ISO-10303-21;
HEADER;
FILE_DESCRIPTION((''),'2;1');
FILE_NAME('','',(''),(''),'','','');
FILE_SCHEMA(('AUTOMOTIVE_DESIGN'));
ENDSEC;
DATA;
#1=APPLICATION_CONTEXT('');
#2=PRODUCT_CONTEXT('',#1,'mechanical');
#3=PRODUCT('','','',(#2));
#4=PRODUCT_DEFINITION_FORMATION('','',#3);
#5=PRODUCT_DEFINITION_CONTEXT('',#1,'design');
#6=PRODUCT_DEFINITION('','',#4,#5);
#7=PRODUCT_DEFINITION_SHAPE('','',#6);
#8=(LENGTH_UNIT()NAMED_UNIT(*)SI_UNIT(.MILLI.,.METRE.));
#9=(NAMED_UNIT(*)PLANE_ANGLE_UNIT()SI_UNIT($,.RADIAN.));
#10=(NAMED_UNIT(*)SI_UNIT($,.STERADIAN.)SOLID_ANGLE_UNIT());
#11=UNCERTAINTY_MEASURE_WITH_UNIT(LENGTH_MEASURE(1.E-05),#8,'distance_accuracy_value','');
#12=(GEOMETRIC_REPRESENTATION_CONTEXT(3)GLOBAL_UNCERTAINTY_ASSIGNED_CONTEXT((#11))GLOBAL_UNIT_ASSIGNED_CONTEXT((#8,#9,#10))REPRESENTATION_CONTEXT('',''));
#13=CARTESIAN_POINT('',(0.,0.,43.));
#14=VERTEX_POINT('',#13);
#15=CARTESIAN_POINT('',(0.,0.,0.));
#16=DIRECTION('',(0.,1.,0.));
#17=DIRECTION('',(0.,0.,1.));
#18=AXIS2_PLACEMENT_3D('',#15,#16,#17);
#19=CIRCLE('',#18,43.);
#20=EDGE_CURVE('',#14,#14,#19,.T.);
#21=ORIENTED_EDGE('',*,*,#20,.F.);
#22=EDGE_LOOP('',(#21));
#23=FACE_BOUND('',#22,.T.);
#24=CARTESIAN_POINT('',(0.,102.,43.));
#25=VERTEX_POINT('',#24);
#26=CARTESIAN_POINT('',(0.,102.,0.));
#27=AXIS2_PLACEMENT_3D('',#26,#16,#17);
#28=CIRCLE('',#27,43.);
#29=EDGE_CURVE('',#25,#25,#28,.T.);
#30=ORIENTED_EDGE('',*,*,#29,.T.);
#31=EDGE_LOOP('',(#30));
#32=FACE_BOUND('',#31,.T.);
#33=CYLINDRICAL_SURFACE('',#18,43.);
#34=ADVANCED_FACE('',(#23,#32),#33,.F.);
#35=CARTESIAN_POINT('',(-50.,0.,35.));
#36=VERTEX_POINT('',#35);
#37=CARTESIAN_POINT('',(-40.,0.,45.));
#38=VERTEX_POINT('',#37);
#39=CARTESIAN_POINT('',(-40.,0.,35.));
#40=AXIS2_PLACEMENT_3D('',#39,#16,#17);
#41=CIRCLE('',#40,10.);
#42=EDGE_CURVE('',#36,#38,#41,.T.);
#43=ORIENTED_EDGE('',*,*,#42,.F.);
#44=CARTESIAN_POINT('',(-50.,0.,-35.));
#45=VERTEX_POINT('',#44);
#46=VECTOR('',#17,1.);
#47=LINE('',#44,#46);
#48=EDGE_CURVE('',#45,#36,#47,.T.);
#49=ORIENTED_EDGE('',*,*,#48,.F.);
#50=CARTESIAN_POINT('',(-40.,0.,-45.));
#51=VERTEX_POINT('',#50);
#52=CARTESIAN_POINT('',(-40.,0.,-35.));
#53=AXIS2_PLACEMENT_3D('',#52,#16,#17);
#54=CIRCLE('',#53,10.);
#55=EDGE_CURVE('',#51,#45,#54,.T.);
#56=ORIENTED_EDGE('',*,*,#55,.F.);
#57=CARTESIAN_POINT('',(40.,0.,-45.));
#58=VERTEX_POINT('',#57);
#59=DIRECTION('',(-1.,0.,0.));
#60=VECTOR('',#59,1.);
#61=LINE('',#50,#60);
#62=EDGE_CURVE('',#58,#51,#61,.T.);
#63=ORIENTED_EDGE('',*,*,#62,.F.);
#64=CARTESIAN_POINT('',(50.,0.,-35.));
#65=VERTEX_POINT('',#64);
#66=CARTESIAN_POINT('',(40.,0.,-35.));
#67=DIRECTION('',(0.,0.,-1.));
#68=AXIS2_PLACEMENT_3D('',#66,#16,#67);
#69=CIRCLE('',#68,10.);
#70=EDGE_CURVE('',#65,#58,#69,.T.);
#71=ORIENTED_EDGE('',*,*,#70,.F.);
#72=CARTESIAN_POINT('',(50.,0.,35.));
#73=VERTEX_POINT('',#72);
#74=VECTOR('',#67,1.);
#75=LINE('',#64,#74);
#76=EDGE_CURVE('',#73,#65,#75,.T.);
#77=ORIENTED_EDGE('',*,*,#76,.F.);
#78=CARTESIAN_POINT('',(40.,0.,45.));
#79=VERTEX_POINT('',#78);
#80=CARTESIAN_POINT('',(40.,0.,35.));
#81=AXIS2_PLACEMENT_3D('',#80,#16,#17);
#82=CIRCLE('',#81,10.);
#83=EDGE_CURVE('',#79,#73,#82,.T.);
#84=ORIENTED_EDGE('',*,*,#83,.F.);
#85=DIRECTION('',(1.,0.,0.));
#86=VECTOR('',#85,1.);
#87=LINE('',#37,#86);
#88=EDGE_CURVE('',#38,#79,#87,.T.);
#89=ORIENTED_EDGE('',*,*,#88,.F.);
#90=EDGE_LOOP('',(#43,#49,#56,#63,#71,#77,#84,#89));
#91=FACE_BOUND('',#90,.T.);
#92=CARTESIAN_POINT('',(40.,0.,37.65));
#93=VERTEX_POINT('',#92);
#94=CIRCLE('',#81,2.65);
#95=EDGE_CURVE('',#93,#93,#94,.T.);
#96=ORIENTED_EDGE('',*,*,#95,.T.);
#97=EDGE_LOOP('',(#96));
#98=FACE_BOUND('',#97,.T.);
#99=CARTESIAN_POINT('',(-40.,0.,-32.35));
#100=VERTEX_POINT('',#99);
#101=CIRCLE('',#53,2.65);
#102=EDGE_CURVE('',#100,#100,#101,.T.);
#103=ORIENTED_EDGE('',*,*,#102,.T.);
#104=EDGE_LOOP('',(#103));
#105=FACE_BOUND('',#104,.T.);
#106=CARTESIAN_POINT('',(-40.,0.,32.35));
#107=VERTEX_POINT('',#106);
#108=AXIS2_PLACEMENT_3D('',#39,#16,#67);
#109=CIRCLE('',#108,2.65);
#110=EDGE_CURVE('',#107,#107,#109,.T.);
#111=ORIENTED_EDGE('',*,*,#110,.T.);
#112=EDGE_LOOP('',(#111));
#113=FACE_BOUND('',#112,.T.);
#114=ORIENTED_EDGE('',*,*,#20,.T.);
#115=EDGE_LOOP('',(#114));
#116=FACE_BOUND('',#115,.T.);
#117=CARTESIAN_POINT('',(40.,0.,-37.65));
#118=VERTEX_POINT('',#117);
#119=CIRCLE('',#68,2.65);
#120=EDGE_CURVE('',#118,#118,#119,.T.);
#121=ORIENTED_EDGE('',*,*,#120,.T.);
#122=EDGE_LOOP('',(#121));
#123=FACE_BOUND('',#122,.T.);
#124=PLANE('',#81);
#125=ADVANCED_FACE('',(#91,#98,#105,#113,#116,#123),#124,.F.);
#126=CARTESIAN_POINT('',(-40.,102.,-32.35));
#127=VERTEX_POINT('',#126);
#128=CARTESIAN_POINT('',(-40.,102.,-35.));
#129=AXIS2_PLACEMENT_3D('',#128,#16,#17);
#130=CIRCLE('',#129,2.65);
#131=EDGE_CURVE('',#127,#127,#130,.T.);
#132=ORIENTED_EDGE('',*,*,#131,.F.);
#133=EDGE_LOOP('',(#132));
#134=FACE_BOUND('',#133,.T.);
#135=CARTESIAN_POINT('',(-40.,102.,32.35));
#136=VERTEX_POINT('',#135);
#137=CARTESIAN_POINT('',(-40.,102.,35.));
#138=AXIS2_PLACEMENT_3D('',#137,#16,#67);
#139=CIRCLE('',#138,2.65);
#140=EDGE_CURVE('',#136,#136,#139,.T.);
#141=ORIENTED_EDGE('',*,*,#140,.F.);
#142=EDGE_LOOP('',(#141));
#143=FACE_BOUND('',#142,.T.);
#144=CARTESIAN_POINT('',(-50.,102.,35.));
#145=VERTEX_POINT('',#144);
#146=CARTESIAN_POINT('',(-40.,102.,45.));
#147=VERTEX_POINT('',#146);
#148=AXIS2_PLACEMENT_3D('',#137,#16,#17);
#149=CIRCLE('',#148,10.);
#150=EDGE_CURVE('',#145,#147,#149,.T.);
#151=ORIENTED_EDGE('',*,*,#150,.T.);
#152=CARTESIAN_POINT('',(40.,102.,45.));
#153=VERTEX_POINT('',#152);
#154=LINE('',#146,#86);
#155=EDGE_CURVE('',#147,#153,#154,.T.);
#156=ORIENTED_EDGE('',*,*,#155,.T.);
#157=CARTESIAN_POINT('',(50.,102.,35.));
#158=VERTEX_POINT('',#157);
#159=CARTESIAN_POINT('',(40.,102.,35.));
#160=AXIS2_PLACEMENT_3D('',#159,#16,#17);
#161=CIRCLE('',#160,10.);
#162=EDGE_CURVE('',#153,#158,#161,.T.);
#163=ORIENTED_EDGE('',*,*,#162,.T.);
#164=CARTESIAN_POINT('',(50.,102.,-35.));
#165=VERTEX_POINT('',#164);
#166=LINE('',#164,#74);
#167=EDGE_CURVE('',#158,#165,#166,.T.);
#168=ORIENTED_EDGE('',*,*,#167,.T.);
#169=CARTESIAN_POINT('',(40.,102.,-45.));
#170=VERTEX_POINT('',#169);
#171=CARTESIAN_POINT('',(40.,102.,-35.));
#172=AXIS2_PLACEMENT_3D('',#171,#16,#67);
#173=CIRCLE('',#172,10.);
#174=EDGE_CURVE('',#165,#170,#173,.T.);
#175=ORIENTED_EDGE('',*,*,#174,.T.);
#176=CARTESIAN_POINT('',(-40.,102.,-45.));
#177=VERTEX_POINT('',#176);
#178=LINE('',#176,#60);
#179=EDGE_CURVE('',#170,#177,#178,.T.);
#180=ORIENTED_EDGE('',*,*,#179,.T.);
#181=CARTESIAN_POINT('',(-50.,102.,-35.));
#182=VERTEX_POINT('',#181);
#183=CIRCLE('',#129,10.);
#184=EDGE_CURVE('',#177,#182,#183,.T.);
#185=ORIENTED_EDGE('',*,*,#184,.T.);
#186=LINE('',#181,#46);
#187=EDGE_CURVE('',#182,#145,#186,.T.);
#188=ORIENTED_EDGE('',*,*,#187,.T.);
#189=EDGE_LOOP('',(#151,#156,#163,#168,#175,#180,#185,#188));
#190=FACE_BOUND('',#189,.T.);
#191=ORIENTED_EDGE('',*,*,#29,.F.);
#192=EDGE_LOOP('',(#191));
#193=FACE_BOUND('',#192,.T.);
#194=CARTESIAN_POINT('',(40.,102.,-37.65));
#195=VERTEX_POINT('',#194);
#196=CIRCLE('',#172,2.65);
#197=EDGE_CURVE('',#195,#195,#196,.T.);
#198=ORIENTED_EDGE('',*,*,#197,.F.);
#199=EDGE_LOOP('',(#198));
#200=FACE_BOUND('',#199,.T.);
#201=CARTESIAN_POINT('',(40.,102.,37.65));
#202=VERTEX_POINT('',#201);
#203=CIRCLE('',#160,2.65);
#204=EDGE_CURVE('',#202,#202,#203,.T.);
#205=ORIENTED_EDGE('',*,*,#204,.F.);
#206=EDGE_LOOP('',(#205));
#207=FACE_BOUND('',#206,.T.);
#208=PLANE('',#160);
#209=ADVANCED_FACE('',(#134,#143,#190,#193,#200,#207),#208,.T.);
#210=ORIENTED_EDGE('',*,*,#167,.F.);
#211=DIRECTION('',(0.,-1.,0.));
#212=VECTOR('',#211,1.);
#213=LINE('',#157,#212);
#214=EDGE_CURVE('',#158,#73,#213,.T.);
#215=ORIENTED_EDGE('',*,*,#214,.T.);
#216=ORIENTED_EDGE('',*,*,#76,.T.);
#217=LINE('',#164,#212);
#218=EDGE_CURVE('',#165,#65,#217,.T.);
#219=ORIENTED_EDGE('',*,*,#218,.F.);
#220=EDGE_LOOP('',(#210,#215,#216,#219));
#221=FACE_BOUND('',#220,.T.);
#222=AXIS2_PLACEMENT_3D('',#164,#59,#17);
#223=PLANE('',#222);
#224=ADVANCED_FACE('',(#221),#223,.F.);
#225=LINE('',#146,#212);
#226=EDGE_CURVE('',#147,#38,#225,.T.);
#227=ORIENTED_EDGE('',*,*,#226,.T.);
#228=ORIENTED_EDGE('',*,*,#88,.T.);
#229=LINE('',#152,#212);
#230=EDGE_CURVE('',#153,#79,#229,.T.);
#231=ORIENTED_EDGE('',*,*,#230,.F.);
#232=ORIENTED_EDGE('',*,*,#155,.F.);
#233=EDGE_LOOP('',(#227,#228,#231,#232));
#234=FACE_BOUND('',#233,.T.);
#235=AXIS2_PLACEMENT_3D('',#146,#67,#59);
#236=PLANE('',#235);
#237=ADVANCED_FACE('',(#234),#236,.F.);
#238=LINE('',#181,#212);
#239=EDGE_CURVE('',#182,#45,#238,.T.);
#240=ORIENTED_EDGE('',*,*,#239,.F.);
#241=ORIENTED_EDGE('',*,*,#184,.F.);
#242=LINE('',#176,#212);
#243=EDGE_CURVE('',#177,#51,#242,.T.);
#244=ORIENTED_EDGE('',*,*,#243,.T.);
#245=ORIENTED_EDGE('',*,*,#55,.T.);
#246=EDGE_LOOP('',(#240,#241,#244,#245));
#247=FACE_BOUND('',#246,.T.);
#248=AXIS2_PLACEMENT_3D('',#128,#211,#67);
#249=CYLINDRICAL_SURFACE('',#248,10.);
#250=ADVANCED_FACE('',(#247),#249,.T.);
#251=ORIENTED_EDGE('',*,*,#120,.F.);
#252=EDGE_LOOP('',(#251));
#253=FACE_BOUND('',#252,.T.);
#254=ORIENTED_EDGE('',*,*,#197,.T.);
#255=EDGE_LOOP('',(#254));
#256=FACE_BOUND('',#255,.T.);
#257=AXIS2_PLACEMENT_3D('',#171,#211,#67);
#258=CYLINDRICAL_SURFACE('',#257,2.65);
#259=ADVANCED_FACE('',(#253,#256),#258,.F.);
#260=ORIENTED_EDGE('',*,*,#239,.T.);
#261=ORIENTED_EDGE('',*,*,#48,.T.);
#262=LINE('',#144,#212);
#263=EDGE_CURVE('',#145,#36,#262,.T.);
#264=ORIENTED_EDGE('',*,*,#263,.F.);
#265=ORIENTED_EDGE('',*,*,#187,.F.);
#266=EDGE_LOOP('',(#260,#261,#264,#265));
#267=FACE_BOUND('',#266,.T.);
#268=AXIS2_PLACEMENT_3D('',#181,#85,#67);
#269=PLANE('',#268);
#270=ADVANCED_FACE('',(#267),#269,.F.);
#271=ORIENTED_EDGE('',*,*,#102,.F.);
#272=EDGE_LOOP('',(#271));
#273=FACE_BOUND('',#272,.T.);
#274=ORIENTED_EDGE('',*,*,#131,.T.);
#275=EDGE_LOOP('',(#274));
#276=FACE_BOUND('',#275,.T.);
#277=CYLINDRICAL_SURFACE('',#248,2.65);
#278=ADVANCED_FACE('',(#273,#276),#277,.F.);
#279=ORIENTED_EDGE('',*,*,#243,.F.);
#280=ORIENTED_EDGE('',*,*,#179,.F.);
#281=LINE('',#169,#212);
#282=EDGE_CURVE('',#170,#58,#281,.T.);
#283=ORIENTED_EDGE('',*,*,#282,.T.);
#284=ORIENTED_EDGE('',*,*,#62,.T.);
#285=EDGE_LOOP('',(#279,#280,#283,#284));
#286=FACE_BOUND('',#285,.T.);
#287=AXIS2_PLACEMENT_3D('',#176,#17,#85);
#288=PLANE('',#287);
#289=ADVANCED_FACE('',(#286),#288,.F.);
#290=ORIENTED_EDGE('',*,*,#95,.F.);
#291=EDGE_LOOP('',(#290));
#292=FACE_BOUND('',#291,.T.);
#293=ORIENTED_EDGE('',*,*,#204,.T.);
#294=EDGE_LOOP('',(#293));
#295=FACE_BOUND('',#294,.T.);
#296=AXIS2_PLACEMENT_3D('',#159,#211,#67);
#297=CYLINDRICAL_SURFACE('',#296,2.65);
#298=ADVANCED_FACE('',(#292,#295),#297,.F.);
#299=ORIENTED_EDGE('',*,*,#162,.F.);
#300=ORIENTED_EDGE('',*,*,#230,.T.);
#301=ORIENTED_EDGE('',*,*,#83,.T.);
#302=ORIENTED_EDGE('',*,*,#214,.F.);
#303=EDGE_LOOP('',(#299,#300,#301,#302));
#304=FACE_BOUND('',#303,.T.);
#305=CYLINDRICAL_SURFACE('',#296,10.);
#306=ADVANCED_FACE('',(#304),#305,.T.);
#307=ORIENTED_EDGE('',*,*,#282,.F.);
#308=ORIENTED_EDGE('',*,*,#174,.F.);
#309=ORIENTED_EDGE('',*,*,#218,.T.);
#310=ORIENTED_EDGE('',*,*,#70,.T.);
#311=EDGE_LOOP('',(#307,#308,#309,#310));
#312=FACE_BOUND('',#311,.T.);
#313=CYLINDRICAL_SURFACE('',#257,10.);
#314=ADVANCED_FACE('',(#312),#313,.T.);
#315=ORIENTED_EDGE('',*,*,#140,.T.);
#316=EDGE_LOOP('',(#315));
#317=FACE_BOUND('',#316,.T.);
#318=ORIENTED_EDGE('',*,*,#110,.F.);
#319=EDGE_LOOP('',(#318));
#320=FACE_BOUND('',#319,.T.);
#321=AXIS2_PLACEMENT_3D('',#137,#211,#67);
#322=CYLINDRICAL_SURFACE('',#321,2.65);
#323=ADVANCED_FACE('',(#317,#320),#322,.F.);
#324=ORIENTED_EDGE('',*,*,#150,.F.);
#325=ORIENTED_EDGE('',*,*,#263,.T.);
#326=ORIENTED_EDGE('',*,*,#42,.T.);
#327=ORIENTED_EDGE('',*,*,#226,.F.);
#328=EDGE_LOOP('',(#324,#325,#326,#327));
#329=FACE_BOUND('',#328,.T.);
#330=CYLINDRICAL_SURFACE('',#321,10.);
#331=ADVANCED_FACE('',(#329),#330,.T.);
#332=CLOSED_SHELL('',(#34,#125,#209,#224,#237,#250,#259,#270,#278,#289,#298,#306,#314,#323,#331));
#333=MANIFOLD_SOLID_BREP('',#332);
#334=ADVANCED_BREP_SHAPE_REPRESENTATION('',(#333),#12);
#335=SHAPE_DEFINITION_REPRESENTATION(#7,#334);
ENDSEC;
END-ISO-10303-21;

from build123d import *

# Parameters (mm, degrees)
SKETCH_1_R          = 2.65
EXTRUDE_1_DEPTH     = 102
SKETCH_3_R          = 43
CUT_EXTRUDE_1_DEPTH = 123.184287042


with BuildPart() as part:
    # 草图1 → 凸台-拉伸1 (new body)
    with BuildSketch(Plane(origin=(0, 0, 0), x_dir=(1, 0, 0), z_dir=(0, 1, 0))):
        with BuildLine():
            Line((-40, 45), (40, 45))
            ThreePointArc((40, 45), (47.071067812, 42.071067812), (50, 35))
            Line((50, 35), (50, -35))
            ThreePointArc((50, -35), (47.071067812, -42.071067812), (40, -45))
            Line((40, -45), (-40, -45))
            ThreePointArc((-40, -45), (-47.071067812, -42.071067812), (-50, -35))
            Line((-50, -35), (-50, 35))
            ThreePointArc((-50, 35), (-47.071067812, 42.071067812), (-40, 45))
        make_face()
        with Locations(Location((-40, 35, 0), (0, 0, 270))):
            Circle(SKETCH_1_R, mode=Mode.SUBTRACT)
        with Locations(Location((40, 35, 0), (0, 0, 90))):
            Circle(SKETCH_1_R, mode=Mode.SUBTRACT)
        with Locations(Location((40, -35, 0), (0, 0, 270))):
            Circle(SKETCH_1_R, mode=Mode.SUBTRACT)
        with Locations(Location((-40, -35, 0), (0, 0, 90))):
            Circle(SKETCH_1_R, mode=Mode.SUBTRACT)
    extrude(amount=EXTRUDE_1_DEPTH)

    # 草图3 → 切除-拉伸1 (cut, through all)
    with BuildSketch(Plane(origin=(0, 102, 0), x_dir=(1, 0, 0), z_dir=(0, 1, 0))):
        with Locations(Location((0, 0, 0), (0, 0, 270))):
            Circle(SKETCH_3_R)
    extrude(amount=-CUT_EXTRUDE_1_DEPTH, mode=Mode.SUBTRACT)


solid = part.part
